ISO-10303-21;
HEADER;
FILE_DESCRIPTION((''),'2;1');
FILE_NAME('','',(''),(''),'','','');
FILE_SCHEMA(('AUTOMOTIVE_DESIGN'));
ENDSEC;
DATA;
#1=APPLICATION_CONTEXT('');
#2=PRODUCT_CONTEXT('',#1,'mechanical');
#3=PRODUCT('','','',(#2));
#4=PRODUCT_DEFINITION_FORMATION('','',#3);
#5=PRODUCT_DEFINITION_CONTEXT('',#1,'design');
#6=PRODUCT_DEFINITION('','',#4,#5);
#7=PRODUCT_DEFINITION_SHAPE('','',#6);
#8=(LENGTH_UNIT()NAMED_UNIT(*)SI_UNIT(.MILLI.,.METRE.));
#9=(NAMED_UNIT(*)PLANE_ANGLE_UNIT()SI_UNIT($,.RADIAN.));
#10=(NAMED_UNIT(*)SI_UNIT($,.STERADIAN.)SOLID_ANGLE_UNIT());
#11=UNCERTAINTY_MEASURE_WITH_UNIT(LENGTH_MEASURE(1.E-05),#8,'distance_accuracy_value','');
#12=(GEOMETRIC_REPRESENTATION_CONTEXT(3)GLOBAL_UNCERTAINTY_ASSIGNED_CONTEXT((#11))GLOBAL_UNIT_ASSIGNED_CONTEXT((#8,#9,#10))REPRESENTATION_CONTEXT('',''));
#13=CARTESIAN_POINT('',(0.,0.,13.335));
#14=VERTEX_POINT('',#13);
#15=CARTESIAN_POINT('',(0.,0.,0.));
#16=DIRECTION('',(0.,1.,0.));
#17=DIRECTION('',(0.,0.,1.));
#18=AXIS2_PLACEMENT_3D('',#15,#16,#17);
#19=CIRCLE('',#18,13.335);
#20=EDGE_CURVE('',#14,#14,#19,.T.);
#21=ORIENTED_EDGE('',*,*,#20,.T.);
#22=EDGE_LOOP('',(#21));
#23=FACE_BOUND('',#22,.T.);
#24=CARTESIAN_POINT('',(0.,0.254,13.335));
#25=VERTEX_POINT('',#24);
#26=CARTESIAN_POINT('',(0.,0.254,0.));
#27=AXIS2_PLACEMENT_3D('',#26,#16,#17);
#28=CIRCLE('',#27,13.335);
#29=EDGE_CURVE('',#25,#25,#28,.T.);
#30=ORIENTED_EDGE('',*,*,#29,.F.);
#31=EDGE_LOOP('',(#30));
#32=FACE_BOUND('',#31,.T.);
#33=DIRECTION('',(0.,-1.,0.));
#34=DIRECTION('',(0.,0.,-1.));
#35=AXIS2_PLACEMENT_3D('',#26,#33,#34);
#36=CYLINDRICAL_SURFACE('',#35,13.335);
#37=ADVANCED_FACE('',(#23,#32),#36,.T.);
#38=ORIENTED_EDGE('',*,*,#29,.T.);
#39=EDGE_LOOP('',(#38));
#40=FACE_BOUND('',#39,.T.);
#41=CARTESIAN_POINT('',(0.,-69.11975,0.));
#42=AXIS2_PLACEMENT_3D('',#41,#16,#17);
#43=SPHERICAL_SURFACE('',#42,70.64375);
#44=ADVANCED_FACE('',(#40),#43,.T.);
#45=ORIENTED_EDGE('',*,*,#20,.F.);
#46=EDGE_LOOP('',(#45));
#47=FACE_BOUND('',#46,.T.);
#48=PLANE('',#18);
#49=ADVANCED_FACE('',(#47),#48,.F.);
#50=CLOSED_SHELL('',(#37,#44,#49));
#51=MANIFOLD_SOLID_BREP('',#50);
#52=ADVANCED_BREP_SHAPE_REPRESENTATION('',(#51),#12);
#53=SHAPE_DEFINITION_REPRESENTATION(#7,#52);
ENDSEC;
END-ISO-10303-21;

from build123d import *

# Parameters (mm, degrees)
SKETCH1_R         = 13.335
EXTRUDE1_DEPTH    = 0.254
DOME1_FACE_RADIUS = 13.335
DOME1_HEIGHT      = 1.27


with BuildPart() as part:
    # Sketch1 → Extrude1 (new body)
    with BuildSketch(Plane(origin=(0, 0, 0), x_dir=(1, 0, 0), z_dir=(0, 1, 0))):
        Circle(SKETCH1_R)
    extrude(amount=EXTRUDE1_DEPTH)

    # Dome1: a dome of height H over a round flat face of radius A is a cap of a sphere of radius (A * A + H * H) / (2 * H)
    dome1_r = (DOME1_FACE_RADIUS * DOME1_FACE_RADIUS + DOME1_HEIGHT * DOME1_HEIGHT) / (2 * DOME1_HEIGHT)
    dome1_base = Plane((0, 0.254, 0), z_dir=(0, 1, 0))
    with Locations(dome1_base.offset(DOME1_HEIGHT - dome1_r)):
        dome1_ball = Sphere(dome1_r, mode=Mode.PRIVATE)
    add(split(dome1_ball, bisect_by=dome1_base, keep=Keep.TOP, mode=Mode.PRIVATE))


solid = part.part
